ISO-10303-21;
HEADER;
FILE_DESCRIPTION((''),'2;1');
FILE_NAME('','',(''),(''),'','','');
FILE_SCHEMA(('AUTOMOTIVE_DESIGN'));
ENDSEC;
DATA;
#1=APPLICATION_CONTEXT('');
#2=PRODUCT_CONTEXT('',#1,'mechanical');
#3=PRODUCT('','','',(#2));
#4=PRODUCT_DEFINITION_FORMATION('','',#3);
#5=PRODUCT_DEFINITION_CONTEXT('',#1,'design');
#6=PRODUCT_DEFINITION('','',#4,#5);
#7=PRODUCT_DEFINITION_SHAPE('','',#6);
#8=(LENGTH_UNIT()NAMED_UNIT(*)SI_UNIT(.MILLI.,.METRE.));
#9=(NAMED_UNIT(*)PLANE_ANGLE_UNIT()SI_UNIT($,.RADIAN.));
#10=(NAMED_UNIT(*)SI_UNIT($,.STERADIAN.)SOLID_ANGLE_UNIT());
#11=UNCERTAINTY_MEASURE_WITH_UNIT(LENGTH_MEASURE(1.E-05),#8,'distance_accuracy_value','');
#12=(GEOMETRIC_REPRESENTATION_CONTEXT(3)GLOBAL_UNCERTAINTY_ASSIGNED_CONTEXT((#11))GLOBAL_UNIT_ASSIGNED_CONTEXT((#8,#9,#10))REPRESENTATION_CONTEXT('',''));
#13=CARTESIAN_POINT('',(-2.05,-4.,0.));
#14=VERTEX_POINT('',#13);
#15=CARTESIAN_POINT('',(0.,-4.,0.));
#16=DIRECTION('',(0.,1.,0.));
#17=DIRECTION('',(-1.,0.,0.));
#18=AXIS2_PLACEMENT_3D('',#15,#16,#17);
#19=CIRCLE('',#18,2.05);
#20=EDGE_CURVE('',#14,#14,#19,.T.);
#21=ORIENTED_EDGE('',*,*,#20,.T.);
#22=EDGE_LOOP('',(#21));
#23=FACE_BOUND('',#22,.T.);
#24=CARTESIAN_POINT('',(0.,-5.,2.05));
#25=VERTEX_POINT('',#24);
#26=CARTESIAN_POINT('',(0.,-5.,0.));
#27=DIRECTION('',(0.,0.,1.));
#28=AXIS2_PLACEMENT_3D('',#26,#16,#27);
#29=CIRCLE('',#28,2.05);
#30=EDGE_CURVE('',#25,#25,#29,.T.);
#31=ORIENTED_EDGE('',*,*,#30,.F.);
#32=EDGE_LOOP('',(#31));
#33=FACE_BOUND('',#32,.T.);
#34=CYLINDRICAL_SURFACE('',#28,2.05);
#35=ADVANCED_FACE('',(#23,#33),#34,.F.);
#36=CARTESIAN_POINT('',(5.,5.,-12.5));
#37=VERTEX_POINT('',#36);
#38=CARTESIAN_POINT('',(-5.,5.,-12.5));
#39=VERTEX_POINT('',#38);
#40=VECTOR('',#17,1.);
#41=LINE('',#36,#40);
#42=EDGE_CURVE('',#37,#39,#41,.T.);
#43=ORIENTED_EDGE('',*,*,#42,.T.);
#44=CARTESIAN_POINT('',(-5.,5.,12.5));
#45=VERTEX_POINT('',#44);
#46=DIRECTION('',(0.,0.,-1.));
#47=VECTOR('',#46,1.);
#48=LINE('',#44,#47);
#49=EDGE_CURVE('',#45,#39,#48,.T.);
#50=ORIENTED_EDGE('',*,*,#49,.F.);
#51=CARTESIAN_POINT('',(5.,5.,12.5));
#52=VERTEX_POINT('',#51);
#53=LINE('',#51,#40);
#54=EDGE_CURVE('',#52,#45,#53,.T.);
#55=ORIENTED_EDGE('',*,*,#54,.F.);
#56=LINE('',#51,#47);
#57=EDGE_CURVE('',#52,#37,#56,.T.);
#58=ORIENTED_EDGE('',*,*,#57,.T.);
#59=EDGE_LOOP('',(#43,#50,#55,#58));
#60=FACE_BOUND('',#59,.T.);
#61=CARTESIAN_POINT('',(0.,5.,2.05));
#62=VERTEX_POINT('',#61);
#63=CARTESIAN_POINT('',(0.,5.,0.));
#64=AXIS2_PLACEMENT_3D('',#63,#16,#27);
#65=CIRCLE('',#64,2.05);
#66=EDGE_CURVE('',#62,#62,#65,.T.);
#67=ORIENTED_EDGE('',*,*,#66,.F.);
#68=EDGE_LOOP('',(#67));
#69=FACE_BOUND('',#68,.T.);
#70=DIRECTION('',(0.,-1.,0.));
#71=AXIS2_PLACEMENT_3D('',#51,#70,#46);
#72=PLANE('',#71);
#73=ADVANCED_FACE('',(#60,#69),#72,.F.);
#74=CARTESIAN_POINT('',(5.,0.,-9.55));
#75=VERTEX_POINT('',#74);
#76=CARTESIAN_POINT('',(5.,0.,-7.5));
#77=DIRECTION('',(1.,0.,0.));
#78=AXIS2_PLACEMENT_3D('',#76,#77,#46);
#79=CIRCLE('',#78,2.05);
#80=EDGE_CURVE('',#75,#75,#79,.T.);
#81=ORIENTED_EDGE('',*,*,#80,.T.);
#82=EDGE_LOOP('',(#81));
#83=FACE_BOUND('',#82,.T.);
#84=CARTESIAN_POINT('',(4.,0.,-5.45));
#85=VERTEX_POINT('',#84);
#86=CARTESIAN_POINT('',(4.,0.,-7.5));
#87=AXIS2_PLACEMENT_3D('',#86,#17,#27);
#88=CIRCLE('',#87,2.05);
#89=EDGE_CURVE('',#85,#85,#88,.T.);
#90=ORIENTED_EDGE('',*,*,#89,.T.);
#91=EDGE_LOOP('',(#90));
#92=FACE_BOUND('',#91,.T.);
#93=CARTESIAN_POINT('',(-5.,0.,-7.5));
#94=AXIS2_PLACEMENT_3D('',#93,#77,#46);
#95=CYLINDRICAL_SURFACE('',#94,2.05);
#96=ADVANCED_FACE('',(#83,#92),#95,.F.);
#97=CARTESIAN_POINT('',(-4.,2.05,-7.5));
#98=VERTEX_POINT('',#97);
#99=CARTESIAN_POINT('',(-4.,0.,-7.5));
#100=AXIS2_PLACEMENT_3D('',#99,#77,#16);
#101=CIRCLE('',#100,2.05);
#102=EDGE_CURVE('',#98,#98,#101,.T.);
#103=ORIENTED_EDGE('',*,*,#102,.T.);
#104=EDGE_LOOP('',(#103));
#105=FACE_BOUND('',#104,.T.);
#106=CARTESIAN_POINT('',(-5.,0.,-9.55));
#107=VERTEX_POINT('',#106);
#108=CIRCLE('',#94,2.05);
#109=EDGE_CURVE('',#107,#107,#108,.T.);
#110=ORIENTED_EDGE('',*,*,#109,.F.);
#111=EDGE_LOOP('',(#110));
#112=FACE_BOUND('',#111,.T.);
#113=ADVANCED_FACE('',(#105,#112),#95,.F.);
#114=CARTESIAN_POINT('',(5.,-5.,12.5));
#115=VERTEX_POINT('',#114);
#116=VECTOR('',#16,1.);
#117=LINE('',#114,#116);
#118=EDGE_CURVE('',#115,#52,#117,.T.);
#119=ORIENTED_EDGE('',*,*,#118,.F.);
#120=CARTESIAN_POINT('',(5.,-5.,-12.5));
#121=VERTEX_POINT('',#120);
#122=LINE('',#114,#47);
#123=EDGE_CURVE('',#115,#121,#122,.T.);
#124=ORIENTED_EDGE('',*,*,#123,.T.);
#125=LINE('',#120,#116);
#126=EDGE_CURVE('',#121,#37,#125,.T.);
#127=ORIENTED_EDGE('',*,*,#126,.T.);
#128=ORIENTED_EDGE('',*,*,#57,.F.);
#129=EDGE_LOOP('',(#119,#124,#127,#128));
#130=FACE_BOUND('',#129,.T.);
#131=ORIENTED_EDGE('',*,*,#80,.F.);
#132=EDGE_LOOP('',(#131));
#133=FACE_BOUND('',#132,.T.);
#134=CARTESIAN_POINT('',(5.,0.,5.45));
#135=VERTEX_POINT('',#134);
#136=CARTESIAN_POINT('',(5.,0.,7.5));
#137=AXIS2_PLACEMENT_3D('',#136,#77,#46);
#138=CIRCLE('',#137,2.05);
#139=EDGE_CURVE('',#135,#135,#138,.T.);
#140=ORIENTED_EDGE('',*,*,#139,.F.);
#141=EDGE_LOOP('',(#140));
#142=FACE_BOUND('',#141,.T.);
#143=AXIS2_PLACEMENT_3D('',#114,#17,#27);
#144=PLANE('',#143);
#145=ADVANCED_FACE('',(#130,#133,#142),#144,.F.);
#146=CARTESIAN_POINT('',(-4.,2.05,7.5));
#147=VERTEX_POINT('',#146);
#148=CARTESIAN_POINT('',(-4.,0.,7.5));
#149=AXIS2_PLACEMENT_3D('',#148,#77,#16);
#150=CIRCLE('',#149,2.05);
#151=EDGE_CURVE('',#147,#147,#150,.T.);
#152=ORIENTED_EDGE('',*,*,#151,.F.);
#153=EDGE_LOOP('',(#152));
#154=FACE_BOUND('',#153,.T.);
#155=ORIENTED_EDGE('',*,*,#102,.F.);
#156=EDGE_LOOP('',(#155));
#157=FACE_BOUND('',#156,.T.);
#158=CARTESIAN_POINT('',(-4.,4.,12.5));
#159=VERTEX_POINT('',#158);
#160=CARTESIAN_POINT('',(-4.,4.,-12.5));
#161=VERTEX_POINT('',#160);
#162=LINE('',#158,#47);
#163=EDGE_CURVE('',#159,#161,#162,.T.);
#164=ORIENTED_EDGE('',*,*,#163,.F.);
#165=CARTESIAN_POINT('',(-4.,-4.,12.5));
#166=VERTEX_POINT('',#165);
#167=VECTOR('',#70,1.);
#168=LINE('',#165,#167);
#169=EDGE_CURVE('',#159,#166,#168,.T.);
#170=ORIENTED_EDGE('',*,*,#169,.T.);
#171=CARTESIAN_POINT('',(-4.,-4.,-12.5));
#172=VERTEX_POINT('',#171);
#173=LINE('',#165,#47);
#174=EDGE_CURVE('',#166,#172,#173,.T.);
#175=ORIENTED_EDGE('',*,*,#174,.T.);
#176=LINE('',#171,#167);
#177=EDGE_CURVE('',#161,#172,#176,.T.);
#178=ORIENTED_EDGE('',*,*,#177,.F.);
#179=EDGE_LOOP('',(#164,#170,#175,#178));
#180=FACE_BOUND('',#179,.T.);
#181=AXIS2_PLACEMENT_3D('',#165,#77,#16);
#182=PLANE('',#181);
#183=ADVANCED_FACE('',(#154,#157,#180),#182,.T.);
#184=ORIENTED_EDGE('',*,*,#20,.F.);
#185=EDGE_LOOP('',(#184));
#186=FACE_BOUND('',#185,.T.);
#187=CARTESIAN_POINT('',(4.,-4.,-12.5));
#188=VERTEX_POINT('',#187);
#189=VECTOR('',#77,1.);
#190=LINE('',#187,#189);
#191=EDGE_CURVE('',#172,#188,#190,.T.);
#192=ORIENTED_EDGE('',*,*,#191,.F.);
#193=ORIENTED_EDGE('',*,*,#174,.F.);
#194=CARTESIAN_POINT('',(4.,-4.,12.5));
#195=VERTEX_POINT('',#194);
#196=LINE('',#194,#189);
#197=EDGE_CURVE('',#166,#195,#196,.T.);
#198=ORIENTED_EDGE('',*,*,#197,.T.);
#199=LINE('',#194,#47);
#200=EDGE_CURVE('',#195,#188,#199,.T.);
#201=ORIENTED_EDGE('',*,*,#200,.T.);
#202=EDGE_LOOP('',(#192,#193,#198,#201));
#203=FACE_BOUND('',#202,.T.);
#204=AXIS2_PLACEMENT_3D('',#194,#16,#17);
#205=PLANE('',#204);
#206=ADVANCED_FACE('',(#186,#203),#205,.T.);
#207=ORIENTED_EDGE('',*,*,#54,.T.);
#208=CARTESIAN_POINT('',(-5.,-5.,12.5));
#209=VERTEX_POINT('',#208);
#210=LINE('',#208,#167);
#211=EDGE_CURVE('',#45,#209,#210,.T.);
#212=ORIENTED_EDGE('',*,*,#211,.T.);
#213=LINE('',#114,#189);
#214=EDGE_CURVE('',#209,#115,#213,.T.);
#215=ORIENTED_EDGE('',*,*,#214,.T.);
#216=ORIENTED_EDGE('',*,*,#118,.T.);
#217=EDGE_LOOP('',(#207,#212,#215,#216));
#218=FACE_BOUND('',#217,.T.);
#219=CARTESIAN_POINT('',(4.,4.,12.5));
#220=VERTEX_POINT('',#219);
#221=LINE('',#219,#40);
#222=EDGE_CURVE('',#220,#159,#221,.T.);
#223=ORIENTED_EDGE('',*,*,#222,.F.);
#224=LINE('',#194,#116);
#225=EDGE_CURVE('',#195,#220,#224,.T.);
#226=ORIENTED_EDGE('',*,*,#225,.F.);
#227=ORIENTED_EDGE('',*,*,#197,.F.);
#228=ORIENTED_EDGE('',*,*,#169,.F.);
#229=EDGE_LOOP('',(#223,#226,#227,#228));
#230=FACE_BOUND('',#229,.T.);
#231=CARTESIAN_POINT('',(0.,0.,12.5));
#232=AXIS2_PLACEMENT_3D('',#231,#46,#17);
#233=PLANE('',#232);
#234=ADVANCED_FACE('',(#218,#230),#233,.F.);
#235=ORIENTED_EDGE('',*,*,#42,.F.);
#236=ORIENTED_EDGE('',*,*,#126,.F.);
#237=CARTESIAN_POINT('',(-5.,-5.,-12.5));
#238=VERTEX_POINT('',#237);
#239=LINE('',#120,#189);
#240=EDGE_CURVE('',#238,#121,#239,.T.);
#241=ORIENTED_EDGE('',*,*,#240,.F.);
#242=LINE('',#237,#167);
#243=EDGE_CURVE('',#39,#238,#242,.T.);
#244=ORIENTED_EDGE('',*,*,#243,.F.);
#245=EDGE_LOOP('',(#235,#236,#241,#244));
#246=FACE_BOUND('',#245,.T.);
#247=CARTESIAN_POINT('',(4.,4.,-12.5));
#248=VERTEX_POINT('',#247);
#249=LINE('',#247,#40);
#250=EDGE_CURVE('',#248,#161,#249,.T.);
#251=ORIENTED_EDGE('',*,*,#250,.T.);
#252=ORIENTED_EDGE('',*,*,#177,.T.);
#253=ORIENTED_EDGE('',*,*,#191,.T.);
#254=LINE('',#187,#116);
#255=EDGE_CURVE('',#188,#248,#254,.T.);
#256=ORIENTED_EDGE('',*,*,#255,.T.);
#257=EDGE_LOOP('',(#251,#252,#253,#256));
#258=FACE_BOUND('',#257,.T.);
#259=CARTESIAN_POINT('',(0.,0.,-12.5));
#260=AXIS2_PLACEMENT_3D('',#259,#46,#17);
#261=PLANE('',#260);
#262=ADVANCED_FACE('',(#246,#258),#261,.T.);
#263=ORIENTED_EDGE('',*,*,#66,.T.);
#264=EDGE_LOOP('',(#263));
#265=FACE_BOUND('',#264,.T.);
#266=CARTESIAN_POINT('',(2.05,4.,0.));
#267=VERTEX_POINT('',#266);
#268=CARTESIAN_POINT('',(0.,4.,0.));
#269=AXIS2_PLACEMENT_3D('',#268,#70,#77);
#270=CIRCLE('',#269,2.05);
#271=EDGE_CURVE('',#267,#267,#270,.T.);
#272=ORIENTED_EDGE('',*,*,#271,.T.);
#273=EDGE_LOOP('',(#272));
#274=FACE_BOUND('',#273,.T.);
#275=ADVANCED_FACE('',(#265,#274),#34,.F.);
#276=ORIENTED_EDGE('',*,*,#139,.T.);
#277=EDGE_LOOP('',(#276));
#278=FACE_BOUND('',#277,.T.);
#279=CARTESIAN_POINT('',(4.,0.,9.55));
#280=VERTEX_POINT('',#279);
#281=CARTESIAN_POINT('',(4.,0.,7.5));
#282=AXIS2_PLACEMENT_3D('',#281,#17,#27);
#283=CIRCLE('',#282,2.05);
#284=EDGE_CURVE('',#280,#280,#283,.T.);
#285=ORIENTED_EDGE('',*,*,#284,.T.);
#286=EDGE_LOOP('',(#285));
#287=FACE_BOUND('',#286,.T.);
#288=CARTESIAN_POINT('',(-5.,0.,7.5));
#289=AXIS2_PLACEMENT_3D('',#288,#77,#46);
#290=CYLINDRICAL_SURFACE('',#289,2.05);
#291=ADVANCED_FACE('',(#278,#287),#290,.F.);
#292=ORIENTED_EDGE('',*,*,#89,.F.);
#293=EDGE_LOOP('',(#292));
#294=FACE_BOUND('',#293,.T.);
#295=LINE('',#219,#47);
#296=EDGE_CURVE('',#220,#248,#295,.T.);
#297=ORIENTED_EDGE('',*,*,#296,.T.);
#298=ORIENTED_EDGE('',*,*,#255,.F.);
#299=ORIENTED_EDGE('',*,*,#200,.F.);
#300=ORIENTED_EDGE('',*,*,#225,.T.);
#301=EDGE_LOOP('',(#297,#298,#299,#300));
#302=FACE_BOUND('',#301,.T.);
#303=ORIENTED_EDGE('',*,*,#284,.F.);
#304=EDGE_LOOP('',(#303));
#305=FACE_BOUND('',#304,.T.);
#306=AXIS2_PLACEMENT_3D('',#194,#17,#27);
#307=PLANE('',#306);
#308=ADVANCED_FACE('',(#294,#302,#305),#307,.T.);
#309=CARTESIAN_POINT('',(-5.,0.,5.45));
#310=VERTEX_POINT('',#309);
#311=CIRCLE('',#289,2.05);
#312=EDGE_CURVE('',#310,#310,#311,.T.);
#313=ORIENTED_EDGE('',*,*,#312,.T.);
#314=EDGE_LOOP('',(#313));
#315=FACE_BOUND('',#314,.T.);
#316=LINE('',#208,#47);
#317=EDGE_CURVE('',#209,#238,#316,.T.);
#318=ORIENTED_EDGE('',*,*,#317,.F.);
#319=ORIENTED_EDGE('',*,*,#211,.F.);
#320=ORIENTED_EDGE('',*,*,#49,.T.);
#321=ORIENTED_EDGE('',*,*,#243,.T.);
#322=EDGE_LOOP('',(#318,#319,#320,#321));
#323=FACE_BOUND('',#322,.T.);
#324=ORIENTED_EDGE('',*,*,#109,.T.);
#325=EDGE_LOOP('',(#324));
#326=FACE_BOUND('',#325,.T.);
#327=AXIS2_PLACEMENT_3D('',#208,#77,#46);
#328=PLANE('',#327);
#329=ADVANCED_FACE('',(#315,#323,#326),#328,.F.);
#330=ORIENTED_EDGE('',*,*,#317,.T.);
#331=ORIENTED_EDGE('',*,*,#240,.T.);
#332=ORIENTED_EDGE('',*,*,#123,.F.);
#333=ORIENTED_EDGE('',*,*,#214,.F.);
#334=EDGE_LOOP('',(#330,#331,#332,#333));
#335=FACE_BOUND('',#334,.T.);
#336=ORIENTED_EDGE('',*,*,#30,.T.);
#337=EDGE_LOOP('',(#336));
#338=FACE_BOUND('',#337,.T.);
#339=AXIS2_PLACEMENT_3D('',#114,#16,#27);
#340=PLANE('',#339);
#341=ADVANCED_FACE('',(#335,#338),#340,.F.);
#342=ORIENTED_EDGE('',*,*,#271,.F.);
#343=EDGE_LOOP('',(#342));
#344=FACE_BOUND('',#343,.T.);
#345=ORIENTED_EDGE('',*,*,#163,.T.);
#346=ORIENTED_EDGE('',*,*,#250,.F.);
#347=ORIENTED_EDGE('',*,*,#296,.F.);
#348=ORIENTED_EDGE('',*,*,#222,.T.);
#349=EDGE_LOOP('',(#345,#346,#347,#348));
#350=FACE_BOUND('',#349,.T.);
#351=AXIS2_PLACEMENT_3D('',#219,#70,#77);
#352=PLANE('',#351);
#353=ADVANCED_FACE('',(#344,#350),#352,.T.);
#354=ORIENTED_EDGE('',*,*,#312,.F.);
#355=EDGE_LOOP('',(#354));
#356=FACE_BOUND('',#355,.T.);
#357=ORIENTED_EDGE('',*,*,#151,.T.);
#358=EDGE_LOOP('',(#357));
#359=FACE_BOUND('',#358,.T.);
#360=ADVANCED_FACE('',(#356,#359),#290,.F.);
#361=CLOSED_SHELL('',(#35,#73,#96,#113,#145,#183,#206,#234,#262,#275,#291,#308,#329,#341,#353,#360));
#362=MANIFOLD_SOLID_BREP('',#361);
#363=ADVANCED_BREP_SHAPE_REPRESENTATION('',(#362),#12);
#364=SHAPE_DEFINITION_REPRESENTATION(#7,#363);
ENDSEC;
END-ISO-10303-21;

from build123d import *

# Parameters (mm, degrees)
SKETCH_1_W          = 10
SKETCH_1_H          = 10
SKETCH_1_W_2        = 8
SKETCH_1_H_2        = 8
EXTRUDE_1_DEPTH     = 12.5
SKETCH_2_R          = 2.05
CUT_EXTRUDE_1_DEPTH = 11
SKETCH_3_R          = 2.05
CUT_EXTRUDE_2_DEPTH = 11


with BuildPart() as part:
    # 草图1 → 凸台-拉伸1 (new body, symmetric)
    with BuildSketch(Plane.XY):
        Rectangle(SKETCH_1_W, SKETCH_1_H)
        Rectangle(SKETCH_1_W_2, SKETCH_1_H_2, mode=Mode.SUBTRACT)
    extrude(amount=EXTRUDE_1_DEPTH, both=True)

    # 草图2 → 切除-拉伸1 (cut, through all)
    with BuildSketch(Plane(origin=(0, 5, 0), x_dir=(1, 0, 0), z_dir=(0, 1, 0))):
        Circle(SKETCH_2_R)
    extrude(amount=-CUT_EXTRUDE_1_DEPTH, mode=Mode.SUBTRACT)

    # 草图3 → 切除-拉伸2 (cut, through all)
    with BuildSketch(Plane(origin=(5, 0, 0), x_dir=(0, 0, -1), z_dir=(1, 0, 0))):
        with Locations((-7.5, 0)):
            Circle(SKETCH_3_R)
        with Locations((7.5, 0)):
            Circle(SKETCH_3_R)
    extrude(amount=-CUT_EXTRUDE_2_DEPTH, mode=Mode.SUBTRACT)


solid = part.part
